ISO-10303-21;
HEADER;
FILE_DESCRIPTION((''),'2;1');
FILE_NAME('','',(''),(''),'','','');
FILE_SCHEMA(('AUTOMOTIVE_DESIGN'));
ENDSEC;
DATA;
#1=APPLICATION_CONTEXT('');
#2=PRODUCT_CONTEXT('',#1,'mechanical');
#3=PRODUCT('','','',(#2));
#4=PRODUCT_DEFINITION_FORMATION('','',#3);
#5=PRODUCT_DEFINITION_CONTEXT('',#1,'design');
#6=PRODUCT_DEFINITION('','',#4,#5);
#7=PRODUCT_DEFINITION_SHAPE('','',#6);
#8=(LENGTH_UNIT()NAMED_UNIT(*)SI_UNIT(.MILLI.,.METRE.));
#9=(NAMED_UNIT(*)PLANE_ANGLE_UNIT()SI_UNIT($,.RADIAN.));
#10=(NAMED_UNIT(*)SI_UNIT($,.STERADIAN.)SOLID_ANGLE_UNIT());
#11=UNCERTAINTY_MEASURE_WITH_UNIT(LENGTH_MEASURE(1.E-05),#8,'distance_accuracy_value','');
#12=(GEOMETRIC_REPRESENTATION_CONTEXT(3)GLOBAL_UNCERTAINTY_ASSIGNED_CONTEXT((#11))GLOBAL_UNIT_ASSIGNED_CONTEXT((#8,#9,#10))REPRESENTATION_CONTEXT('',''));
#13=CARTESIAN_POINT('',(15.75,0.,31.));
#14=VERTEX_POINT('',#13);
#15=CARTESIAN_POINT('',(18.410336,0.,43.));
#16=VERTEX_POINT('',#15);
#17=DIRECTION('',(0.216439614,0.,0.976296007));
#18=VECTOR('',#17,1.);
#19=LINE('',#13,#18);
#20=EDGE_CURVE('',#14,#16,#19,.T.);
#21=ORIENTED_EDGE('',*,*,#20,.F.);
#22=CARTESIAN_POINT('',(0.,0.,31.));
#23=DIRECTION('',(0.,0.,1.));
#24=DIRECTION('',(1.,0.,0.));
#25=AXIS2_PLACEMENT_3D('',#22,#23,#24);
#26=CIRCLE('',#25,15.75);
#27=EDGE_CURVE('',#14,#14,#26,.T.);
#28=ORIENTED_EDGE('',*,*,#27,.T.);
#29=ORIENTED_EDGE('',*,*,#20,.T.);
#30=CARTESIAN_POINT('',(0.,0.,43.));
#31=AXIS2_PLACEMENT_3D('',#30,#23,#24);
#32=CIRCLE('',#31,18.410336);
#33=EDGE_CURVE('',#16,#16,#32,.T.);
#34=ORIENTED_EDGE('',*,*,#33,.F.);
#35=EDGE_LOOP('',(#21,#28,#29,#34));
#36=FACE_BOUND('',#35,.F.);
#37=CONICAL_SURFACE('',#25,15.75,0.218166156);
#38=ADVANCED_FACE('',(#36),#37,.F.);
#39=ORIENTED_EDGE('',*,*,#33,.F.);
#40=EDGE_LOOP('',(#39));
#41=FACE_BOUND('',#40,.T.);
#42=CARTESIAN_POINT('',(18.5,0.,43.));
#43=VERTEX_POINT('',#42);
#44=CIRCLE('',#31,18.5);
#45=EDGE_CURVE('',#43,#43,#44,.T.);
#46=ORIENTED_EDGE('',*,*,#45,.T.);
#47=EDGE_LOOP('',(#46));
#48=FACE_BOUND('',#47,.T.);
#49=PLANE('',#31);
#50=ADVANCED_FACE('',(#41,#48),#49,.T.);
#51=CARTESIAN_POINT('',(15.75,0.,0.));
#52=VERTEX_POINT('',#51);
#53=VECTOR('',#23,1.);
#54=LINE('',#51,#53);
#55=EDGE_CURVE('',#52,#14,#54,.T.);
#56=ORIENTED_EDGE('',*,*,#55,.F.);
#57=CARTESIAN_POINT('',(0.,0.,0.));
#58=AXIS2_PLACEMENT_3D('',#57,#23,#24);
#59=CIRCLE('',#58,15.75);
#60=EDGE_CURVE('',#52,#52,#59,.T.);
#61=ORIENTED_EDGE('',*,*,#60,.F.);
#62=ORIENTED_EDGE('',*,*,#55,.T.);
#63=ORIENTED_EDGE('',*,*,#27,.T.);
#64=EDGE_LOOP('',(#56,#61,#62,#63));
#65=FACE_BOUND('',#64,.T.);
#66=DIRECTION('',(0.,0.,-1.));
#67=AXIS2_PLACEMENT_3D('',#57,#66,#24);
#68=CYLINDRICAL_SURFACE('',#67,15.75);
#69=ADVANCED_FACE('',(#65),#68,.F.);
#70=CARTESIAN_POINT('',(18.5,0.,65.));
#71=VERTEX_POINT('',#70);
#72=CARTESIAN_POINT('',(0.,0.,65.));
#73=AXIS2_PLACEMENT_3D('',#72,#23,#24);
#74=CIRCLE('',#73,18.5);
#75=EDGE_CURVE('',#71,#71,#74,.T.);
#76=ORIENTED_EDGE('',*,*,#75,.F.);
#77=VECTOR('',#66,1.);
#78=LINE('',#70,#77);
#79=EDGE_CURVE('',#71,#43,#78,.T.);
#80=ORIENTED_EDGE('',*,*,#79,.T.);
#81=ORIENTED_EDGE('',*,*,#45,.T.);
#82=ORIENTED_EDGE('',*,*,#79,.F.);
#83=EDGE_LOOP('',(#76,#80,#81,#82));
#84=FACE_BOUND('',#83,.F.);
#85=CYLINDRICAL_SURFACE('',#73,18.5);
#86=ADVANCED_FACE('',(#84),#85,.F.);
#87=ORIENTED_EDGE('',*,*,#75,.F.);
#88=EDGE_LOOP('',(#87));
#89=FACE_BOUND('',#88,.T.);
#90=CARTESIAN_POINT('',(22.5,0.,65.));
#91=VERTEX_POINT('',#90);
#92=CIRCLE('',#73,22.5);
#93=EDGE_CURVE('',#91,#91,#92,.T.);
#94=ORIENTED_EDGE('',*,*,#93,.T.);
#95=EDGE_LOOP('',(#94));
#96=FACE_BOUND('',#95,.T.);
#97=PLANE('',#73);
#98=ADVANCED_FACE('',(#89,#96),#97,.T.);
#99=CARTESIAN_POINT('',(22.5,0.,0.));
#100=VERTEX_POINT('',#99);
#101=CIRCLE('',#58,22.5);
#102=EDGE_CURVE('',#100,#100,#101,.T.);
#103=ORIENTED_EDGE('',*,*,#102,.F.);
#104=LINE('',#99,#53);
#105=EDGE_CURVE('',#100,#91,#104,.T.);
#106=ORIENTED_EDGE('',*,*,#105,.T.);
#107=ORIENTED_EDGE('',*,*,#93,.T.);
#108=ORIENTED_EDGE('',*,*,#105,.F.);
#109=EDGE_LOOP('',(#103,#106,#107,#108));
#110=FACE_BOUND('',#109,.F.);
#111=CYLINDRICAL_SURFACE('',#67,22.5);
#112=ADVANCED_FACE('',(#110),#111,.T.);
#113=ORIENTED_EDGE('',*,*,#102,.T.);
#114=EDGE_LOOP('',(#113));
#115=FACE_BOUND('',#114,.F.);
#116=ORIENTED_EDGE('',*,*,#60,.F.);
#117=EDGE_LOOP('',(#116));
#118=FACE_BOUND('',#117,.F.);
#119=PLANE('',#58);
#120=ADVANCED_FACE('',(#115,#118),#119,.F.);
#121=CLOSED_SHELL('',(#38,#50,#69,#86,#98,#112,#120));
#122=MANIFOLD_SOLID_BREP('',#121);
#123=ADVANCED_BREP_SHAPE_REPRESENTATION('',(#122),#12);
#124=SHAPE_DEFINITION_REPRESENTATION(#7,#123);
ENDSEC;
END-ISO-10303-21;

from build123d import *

# Parameters (mm, degrees)
SKETCH_R        = 22.5
PAD_DEPTH       = 65
SKETCH001_R     = 18.5
POCKET_DEPTH    = 22
SKETCH002_R     = 15.75
POCKET001_DEPTH = 43
CHAMFER_ANGLE   = 12.5
CHAMFER_SIZE    = 12


with BuildPart() as part:
    # Sketch → Pad (new body)
    with BuildSketch(Plane.XY):
        Circle(SKETCH_R)
    extrude(amount=PAD_DEPTH)

    # Sketch001 → Pocket (cut)
    with BuildSketch(Plane.XY.offset(65)):
        Circle(SKETCH001_R)
    extrude(amount=-POCKET_DEPTH, mode=Mode.SUBTRACT)

    # Sketch002 → Pocket001 (cut)
    with BuildSketch(Plane.XY):
        Circle(SKETCH002_R)
    extrude(amount=POCKET001_DEPTH, mode=Mode.SUBTRACT)

    # Chamfer
    chamfer_edges = [part.edges().sort_by_distance(p)[0] for p in [
        (-15.75, 0, 43),
    ]]
    chamfer_side = part.faces().sort_by_distance((-15.75, 0, 21.5))[0]
    chamfer(chamfer_edges, length=CHAMFER_SIZE, angle=CHAMFER_ANGLE, reference=chamfer_side)


solid = part.part
